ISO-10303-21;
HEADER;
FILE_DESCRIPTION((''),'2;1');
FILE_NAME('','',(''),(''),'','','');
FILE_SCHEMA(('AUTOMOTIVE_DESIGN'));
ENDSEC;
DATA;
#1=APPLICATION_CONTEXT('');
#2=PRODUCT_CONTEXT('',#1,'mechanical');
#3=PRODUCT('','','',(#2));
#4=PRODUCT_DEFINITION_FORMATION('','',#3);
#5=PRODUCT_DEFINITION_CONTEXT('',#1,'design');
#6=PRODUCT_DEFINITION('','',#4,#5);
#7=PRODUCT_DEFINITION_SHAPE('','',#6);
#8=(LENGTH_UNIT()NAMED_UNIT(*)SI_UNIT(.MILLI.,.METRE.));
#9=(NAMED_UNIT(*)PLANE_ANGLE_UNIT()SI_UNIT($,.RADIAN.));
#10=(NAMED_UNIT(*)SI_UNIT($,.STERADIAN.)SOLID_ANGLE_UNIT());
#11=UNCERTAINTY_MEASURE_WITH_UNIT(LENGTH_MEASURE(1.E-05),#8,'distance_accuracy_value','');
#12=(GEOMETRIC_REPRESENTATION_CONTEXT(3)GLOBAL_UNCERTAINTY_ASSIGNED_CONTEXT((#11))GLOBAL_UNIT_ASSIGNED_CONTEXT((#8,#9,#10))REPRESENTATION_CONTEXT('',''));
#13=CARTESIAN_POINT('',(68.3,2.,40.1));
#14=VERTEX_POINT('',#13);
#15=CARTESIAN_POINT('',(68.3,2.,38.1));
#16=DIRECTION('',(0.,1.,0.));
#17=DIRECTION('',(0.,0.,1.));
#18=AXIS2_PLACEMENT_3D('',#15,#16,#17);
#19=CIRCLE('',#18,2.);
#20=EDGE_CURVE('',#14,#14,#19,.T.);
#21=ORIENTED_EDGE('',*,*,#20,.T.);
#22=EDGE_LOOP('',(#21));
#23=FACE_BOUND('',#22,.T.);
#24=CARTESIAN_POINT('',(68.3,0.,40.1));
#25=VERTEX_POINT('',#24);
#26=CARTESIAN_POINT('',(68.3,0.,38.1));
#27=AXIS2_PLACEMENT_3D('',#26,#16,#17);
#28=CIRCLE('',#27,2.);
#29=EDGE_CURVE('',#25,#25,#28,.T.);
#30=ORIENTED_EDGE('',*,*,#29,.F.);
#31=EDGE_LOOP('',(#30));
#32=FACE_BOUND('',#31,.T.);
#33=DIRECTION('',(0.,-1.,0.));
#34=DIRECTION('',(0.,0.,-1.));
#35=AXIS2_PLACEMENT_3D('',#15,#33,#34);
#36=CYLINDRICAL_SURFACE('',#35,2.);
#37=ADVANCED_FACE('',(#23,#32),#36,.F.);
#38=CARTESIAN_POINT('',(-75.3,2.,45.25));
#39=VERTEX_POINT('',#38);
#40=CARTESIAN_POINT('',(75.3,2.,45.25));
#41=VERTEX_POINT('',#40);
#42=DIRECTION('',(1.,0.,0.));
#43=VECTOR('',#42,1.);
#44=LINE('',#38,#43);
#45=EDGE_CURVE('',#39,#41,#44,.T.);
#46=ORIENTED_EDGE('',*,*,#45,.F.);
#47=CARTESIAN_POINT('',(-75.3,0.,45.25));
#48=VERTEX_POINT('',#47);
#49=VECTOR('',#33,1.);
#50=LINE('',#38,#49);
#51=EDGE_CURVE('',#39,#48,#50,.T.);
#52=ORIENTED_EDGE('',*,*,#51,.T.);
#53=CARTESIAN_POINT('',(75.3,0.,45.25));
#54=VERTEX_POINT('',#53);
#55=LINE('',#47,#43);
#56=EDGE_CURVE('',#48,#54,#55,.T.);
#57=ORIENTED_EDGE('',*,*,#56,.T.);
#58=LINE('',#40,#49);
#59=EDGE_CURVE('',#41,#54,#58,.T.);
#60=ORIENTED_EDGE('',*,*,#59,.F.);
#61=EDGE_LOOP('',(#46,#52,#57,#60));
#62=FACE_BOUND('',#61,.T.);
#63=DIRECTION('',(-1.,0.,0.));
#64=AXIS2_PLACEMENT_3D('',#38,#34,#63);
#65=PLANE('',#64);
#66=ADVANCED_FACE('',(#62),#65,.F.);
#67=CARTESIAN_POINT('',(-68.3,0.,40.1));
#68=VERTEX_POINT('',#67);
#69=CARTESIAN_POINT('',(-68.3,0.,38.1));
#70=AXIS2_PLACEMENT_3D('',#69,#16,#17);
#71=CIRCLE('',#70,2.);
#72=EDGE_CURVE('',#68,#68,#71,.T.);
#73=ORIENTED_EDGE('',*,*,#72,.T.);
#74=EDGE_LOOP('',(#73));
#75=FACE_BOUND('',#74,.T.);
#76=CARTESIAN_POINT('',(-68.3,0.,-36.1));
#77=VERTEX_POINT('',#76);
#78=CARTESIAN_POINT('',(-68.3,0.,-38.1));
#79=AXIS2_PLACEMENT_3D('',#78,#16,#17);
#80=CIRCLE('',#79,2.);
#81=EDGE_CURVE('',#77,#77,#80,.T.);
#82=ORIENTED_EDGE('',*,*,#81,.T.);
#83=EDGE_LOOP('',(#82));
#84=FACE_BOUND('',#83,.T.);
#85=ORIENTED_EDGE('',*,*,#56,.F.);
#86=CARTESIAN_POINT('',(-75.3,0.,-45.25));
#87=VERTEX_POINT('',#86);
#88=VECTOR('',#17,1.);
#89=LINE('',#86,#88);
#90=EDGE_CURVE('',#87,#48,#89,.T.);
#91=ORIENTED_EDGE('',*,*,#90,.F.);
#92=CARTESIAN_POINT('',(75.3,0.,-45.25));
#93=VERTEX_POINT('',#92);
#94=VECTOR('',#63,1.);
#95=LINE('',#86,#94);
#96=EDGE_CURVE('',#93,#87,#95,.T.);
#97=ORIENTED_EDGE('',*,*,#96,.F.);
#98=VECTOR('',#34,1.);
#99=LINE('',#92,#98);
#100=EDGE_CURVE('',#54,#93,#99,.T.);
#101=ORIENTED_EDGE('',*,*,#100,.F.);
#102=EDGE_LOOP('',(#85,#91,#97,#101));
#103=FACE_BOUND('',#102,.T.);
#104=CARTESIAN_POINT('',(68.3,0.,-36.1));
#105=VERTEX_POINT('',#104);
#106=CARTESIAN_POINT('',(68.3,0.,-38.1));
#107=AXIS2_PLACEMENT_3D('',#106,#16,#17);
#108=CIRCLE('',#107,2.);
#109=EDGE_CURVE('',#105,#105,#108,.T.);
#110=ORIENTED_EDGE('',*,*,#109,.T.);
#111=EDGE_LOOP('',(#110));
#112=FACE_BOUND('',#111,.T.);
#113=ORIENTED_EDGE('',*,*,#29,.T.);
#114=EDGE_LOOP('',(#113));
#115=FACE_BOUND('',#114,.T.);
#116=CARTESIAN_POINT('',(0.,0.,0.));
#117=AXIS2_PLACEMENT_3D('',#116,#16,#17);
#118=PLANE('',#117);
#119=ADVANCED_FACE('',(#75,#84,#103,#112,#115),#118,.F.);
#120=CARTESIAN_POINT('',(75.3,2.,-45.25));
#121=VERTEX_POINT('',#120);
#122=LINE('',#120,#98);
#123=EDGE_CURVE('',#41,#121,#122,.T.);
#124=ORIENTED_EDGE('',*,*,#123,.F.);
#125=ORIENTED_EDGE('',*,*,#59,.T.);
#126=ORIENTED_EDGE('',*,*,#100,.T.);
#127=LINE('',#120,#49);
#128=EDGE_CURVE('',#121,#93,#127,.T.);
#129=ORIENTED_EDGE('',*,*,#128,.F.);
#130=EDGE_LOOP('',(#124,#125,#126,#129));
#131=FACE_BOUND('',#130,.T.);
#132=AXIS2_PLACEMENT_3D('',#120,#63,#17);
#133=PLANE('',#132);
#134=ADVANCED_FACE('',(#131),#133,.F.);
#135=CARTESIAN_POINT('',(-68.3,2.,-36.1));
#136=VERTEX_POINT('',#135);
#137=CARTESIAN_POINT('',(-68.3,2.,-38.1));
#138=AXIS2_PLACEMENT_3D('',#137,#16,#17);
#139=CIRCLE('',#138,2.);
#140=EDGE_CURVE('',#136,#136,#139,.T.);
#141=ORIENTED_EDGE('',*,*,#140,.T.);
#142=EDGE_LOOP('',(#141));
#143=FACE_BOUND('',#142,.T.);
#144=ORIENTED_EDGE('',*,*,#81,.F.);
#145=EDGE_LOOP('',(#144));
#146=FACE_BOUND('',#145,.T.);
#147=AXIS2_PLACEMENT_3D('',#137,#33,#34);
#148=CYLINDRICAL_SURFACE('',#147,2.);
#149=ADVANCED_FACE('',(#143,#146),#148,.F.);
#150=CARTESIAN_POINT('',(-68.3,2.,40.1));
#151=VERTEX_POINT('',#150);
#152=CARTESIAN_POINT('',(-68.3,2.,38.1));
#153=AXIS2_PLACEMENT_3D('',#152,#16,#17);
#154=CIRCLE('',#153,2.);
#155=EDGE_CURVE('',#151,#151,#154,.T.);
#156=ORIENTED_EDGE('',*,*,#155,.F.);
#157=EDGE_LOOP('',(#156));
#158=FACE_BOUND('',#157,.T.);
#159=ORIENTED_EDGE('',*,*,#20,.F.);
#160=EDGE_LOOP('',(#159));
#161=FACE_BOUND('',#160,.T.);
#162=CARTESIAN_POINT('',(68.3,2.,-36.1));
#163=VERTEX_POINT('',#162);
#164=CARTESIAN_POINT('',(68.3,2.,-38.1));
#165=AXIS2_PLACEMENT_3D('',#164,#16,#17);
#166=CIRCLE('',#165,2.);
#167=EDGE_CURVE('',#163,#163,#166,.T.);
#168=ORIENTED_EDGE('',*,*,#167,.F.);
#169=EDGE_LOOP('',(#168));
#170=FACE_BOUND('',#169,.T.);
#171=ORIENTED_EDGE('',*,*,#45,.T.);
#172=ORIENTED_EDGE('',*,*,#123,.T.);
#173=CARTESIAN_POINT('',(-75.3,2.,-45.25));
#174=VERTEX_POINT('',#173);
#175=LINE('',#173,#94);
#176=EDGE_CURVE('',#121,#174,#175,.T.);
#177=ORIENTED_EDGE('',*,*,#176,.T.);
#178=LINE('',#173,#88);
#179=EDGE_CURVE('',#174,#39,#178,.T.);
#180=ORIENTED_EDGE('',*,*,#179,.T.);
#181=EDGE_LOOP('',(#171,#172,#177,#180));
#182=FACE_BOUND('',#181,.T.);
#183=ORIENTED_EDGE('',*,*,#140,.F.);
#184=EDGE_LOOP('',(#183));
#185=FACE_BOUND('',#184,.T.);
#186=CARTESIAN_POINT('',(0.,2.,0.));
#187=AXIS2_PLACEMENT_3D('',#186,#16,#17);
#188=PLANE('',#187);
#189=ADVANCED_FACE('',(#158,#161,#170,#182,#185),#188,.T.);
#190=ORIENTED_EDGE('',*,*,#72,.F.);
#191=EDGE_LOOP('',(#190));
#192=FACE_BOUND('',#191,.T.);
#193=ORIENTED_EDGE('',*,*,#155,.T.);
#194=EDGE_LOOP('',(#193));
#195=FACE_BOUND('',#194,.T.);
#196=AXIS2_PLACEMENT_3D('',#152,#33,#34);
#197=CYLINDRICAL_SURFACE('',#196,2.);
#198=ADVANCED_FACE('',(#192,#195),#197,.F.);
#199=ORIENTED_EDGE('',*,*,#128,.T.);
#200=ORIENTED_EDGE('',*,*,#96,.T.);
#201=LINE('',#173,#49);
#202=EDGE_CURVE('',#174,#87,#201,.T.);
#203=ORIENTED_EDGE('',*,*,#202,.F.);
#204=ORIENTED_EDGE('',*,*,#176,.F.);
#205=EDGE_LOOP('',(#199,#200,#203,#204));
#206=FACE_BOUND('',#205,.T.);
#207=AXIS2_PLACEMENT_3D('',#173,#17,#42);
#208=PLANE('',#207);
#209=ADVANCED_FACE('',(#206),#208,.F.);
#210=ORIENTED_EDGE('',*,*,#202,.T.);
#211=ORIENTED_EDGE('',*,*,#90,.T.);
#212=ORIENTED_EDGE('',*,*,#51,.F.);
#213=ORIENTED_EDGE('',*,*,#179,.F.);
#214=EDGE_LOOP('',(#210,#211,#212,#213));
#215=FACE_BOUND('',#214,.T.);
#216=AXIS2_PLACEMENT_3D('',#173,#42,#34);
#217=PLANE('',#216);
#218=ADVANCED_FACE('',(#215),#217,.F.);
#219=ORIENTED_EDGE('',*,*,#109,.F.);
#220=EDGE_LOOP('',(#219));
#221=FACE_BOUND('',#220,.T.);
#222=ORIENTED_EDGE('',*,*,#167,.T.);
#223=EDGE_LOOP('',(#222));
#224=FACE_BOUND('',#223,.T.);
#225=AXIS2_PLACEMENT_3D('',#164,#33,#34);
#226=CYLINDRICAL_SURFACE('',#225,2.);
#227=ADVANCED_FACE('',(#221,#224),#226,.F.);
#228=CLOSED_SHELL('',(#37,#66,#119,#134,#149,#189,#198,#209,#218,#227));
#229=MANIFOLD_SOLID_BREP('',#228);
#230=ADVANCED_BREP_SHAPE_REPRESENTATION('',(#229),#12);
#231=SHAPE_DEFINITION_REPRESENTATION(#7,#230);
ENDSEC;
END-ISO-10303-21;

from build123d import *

# Parameters (mm, degrees)
SKETCH1_W           = 150.6
SKETCH1_H           = 90.5
SKETCH1_R           = 2
BOSS_EXTRUDE1_DEPTH = 2


with BuildPart() as part:
    # Sketch1 → Boss-Extrude1 (new body)
    with BuildSketch(Plane(origin=(0, 0, 0), x_dir=(1, 0, 0), z_dir=(0, 1, 0))):
        Rectangle(SKETCH1_W, SKETCH1_H)
        with Locations((-68.3, 38.1)):
            Circle(SKETCH1_R, mode=Mode.SUBTRACT)
        with Locations((-68.3, -38.1)):
            Circle(SKETCH1_R, mode=Mode.SUBTRACT)
        with Locations((68.3, 38.1)):
            Circle(SKETCH1_R, mode=Mode.SUBTRACT)
        with Locations((68.3, -38.1)):
            Circle(SKETCH1_R, mode=Mode.SUBTRACT)
    extrude(amount=BOSS_EXTRUDE1_DEPTH)


solid = part.part
